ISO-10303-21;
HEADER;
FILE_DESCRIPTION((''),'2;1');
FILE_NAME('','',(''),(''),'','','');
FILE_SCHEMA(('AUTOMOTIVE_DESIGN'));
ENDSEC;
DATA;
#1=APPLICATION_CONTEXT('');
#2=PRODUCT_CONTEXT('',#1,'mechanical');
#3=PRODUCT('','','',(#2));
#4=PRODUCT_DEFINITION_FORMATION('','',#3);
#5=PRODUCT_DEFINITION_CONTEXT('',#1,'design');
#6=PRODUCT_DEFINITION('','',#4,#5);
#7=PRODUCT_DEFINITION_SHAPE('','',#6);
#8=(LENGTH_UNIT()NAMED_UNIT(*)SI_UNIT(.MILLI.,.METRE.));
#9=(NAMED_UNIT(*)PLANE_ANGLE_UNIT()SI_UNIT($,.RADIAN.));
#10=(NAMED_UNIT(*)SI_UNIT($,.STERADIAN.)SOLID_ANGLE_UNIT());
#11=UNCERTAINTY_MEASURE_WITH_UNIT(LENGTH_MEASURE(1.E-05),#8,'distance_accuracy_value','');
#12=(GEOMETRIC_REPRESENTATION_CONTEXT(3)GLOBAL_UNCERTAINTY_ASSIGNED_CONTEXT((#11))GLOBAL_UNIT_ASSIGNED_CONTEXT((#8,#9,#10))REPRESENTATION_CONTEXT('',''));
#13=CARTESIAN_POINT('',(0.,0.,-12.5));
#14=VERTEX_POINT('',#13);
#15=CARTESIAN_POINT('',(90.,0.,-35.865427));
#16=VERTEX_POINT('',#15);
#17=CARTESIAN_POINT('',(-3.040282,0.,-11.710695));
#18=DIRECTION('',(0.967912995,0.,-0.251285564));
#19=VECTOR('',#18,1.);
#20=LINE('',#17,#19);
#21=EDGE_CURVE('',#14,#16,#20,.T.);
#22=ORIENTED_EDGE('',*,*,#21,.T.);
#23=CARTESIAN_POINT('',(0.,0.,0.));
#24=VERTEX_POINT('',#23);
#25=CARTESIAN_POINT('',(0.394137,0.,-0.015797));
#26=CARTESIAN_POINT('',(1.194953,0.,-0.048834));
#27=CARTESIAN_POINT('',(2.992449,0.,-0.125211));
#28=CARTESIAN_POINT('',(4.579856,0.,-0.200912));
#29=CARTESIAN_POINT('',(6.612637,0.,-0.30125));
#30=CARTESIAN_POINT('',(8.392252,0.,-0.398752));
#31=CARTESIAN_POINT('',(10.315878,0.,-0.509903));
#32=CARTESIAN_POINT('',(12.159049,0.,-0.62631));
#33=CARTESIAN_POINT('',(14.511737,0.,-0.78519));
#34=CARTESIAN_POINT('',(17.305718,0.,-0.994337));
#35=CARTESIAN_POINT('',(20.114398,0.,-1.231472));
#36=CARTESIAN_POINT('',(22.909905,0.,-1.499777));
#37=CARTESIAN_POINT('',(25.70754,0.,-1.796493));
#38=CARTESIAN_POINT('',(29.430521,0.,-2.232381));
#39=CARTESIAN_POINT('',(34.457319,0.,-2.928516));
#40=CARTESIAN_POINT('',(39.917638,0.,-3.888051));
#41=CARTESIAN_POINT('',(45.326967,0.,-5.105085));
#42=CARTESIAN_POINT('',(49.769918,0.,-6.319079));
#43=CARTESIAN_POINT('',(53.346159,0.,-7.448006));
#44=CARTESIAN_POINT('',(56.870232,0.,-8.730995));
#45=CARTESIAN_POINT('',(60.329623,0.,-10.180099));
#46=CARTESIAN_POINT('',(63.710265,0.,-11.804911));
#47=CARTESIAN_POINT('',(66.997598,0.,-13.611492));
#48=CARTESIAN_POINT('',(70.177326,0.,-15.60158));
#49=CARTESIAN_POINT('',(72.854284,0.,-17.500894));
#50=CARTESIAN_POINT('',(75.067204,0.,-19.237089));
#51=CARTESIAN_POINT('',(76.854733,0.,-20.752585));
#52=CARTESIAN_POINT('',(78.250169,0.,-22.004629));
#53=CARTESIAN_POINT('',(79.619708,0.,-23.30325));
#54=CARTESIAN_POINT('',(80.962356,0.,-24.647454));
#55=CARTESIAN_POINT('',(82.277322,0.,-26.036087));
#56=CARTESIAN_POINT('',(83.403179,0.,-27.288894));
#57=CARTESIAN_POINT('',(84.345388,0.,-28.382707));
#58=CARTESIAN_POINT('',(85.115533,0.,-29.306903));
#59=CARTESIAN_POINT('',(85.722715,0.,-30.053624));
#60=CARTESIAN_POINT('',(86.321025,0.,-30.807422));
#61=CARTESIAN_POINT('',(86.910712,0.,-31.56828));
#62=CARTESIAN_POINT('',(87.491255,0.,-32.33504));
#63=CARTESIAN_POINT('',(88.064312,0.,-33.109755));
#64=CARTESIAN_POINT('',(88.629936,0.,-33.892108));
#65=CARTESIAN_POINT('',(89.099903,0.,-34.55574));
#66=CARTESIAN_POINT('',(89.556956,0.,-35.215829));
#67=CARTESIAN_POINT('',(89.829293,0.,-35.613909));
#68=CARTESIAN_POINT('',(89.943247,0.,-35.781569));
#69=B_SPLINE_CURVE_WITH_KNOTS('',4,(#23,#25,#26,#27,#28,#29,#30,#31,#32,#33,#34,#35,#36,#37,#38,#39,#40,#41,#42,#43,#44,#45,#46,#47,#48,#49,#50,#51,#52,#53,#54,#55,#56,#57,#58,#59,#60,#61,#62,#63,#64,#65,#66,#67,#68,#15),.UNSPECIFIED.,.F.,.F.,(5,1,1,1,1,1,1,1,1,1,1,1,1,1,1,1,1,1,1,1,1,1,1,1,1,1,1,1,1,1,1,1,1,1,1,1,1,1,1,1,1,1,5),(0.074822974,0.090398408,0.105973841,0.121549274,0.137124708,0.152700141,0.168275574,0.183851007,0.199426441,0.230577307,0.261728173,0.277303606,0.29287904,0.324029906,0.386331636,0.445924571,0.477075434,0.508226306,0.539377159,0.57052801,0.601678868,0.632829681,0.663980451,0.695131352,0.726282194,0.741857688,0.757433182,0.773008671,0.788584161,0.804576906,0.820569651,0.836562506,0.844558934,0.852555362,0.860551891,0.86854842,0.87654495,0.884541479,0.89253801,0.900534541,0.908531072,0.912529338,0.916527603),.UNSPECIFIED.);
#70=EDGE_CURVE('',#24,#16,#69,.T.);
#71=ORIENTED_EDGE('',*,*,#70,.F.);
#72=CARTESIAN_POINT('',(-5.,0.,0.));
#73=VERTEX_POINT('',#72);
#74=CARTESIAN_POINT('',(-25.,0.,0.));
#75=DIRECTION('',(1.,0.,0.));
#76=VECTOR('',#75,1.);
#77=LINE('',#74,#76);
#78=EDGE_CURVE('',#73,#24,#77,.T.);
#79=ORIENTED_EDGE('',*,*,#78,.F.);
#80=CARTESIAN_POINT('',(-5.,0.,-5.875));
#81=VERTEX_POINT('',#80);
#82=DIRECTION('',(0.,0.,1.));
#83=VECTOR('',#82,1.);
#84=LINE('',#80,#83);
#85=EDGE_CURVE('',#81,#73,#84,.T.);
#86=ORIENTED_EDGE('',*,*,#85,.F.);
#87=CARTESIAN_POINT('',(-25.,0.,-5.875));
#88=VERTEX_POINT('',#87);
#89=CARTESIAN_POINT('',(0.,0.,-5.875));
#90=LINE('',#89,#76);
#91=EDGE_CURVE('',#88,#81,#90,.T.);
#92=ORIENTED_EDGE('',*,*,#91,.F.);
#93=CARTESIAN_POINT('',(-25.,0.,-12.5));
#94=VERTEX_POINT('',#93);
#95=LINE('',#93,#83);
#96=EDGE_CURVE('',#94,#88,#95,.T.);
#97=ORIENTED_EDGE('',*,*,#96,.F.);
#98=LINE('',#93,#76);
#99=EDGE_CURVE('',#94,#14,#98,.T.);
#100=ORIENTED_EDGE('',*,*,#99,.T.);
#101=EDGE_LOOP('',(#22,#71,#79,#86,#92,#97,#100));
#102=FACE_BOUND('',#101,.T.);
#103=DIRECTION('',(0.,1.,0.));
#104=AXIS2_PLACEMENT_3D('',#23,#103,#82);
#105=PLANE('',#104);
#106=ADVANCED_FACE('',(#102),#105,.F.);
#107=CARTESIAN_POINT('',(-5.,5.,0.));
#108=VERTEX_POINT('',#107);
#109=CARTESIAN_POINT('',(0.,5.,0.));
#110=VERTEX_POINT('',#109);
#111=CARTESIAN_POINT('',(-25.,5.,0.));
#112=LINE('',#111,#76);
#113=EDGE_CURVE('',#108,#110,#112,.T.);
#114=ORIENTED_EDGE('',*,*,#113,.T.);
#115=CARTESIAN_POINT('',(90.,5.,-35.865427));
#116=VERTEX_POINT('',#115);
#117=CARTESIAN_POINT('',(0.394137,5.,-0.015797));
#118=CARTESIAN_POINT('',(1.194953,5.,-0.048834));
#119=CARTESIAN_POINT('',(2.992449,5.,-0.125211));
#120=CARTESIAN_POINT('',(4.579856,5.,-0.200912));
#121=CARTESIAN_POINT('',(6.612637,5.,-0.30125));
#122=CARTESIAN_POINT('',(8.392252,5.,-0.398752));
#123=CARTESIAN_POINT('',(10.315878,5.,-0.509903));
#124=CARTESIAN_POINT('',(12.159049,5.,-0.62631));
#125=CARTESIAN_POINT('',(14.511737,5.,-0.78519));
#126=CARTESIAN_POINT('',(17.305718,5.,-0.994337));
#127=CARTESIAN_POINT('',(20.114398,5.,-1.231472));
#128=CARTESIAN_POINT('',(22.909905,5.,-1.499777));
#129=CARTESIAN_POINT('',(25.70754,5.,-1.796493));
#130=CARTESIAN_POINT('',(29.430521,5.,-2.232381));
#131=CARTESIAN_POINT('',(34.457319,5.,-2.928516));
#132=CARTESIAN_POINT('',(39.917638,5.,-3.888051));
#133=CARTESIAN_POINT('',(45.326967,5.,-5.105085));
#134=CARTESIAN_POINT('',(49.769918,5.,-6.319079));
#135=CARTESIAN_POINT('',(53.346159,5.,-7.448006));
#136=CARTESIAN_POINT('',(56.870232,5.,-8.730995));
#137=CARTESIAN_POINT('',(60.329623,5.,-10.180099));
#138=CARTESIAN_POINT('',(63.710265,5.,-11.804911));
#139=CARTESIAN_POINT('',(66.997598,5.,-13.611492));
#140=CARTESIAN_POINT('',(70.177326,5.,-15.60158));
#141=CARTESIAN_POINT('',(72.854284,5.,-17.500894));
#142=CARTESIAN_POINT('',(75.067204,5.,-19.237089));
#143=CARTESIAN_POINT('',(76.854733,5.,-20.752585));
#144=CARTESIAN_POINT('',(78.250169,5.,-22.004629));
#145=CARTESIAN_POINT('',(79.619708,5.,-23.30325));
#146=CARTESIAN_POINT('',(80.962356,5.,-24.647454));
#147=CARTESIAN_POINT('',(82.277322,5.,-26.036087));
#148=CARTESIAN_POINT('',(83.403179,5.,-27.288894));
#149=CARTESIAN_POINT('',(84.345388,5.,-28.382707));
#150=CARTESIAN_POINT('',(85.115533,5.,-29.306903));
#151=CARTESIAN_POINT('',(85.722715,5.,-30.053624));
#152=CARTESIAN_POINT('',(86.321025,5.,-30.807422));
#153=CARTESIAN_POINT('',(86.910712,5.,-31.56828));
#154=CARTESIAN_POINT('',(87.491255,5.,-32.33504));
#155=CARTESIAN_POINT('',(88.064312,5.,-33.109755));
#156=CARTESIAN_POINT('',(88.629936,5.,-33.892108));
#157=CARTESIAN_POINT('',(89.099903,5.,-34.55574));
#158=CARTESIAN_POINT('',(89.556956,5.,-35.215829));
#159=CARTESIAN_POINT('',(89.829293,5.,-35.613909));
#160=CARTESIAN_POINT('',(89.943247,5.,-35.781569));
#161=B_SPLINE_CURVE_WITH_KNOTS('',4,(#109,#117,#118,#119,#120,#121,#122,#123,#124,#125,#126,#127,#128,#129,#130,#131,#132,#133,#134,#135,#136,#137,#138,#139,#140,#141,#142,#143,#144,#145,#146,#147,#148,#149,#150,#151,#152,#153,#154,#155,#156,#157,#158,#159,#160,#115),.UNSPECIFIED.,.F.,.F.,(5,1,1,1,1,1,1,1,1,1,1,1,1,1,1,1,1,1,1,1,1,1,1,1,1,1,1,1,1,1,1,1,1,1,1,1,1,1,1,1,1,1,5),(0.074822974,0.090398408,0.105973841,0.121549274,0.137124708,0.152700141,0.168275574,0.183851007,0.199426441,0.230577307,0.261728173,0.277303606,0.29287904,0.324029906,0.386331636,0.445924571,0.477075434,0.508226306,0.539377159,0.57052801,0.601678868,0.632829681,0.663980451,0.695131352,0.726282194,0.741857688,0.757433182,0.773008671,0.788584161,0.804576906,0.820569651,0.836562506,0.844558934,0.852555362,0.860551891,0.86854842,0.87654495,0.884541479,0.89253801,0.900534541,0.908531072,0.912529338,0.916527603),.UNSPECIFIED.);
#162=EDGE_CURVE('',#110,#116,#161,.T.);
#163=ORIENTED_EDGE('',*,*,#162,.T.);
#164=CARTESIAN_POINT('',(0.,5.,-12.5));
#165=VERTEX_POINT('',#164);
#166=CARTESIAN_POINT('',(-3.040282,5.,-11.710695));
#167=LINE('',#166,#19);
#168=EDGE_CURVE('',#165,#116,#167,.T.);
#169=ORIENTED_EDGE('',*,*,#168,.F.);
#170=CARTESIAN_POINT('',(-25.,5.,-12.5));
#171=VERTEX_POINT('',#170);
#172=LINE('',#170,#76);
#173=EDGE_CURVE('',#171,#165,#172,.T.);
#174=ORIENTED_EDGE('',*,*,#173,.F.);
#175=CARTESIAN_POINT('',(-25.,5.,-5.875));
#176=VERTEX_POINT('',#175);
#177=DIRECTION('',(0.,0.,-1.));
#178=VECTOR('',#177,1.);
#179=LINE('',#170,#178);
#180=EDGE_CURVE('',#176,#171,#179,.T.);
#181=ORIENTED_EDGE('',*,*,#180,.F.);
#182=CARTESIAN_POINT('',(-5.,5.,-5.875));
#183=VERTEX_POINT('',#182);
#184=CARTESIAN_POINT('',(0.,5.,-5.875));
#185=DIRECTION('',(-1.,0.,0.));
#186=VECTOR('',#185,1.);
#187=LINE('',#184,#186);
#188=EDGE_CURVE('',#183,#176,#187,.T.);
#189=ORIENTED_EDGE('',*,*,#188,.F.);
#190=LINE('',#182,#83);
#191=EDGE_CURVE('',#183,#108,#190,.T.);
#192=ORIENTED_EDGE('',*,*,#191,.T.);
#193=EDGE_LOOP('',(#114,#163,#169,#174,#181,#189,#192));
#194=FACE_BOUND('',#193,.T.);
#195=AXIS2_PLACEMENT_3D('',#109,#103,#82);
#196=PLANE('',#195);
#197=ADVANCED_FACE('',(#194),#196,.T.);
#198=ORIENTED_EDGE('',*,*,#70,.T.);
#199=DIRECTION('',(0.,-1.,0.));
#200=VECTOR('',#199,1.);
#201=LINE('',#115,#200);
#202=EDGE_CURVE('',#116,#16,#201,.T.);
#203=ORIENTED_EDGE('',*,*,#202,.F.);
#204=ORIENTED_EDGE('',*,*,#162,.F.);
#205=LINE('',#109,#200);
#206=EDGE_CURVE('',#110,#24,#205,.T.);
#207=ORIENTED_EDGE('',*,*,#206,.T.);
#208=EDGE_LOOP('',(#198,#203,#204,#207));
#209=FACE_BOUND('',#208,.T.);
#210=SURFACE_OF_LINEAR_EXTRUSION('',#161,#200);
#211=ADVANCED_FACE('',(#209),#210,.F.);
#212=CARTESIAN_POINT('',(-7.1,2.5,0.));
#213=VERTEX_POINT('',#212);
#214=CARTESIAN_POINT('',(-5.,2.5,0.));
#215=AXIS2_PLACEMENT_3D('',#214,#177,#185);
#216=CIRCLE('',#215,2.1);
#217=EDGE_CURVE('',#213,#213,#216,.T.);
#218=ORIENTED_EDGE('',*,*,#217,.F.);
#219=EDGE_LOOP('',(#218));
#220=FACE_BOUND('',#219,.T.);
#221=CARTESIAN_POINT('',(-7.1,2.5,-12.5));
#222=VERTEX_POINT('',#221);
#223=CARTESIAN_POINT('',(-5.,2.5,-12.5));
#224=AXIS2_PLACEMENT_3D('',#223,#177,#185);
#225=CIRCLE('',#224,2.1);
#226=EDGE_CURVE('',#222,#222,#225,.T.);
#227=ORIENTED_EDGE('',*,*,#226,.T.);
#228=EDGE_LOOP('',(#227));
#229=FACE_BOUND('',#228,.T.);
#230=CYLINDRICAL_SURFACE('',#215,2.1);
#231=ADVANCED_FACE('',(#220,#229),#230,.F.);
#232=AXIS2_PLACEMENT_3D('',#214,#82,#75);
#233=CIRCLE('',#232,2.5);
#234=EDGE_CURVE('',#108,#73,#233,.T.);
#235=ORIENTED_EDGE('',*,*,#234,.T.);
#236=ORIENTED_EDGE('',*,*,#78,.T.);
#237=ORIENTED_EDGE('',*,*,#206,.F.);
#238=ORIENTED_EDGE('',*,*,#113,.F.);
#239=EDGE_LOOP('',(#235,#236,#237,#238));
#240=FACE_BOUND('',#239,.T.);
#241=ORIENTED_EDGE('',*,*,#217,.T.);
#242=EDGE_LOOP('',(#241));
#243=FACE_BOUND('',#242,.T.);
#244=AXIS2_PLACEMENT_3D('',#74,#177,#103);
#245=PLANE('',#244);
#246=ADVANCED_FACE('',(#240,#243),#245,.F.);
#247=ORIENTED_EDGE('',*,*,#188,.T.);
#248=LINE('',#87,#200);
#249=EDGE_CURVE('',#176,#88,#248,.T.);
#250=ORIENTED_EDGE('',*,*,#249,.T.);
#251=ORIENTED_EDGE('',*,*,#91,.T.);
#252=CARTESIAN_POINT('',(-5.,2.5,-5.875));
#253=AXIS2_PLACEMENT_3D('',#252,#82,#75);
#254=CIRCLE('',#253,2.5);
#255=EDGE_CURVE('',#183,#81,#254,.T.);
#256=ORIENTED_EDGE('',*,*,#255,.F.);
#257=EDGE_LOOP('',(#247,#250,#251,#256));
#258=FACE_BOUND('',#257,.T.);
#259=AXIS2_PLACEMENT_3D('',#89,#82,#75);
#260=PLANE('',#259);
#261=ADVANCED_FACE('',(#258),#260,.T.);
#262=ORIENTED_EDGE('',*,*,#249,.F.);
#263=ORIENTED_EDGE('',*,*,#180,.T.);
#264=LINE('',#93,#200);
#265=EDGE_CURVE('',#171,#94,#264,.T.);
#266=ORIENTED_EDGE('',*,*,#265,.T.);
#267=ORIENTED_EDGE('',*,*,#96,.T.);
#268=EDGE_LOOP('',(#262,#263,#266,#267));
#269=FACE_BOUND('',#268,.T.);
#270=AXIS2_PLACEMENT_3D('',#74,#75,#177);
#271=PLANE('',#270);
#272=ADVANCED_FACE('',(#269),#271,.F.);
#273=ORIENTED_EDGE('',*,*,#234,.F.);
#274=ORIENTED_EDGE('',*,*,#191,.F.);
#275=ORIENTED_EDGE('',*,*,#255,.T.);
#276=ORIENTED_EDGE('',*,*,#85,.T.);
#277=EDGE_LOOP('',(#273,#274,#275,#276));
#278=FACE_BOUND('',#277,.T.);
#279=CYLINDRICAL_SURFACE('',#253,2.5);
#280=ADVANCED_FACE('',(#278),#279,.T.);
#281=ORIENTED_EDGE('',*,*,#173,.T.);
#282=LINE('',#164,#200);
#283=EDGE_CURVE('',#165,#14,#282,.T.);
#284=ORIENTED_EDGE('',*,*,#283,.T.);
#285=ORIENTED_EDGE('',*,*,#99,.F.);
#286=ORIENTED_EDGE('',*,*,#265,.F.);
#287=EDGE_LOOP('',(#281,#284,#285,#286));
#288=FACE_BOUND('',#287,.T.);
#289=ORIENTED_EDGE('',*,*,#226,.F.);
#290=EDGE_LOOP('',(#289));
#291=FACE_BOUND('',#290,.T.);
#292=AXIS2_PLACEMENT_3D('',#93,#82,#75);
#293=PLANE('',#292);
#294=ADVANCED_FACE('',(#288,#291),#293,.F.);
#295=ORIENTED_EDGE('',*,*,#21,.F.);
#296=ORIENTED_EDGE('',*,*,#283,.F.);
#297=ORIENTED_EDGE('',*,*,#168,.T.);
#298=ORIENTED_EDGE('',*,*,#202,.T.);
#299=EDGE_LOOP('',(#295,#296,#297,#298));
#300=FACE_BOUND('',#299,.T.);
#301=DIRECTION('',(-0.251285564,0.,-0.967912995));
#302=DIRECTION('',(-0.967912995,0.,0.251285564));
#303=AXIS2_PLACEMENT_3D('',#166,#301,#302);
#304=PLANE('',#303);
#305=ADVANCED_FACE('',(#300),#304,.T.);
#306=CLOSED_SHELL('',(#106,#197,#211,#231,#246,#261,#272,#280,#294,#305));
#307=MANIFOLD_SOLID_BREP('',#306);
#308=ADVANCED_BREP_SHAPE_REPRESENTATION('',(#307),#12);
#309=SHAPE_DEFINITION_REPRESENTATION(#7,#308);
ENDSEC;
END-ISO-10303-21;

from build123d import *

# Parameters (mm, degrees)
SALIENTE_EXTRUIR1_DEPTH = 5
CROQUIS3_W              = 12.5
CROQUIS3_H              = 5
SALIENTE_EXTRUIR2_DEPTH = 25
CROQUIS4_R              = 2.1
CORTAR_EXTRUIR3_DEPTH   = 12.5
CORTAR_EXTRUIR2_DEPTH   = 5.875


with BuildPart() as part:
    # Croquis2 → Saliente-Extruir1 (new body)
    with BuildSketch(Plane(origin=(0, 0, 0), x_dir=(1, 0, 0), z_dir=(0, 1, 0))):
        with BuildLine():
            Line((0, 0), (0, 12.5))
            Line((0, 12.5), (90, 35.865427318))
            add(Edge.make_bspline(
                [(0, 0), (0.394136999, 0.015797336), (1.194952966, 0.048834045), (2.992448828, 0.125211317), (4.579856068, 0.200911656), (6.612637351, 0.301249971), (8.392251736, 0.398752477), (10.315878033, 0.509903005), (12.159048858, 0.626310038), (14.511736704, 0.785189542), (17.305717547, 0.994336582), (20.114398042, 1.2314722), (22.909905137, 1.499776667), (25.707540494, 1.796493489), (29.430521004, 2.232380684), (34.457318955, 2.928516321), (39.917638309, 3.8880509), (45.326966885, 5.105084916), (49.769918493, 6.319079443), (53.346159155, 7.448006204), (56.870231766, 8.730995456), (60.329622828, 10.180098556), (63.710264837, 11.804910517), (66.997597592, 13.611491814), (70.17732587, 15.601579919), (72.854283587, 17.500893709), (75.067204078, 19.237089159), (76.854732505, 20.752585132), (78.250168573, 22.004629224), (79.619707974, 23.303249768), (80.962355597, 24.647453618), (82.277321506, 26.036087115), (83.403178931, 27.288894321), (84.345387571, 28.382707102), (85.115533062, 29.306902867), (85.722715368, 30.053623655), (86.321025458, 30.807421985), (86.910712224, 31.56828047), (87.491255325, 32.335040025), (88.06431213, 33.109755161), (88.629936117, 33.892108149), (89.099903233, 34.555740193), (89.55695597, 35.215829282), (89.829292977, 35.613909175), (89.943246974, 35.781569234), (90, 35.865427318)],
                knots=[0.074822974, 0.074822974, 0.074822974, 0.074822974, 0.074822974, 0.090398408, 0.105973841, 0.121549274, 0.137124708, 0.152700141, 0.168275574, 0.183851007, 0.199426441, 0.230577307, 0.261728173, 0.277303606, 0.29287904, 0.324029906, 0.386331636, 0.445924571, 0.477075434, 0.508226306, 0.539377159, 0.57052801, 0.601678868, 0.632829681, 0.663980451, 0.695131352, 0.726282194, 0.741857688, 0.757433182, 0.773008671, 0.788584161, 0.804576906, 0.820569651, 0.836562506, 0.844558934, 0.852555362, 0.860551891, 0.86854842, 0.87654495, 0.884541479, 0.89253801, 0.900534541, 0.908531072, 0.912529338, 0.916527603, 0.916527603, 0.916527603, 0.916527603, 0.916527603], degree=4))
        make_face()
    extrude(amount=SALIENTE_EXTRUIR1_DEPTH)

    # Croquis3 → Saliente-Extruir2 (add)
    with BuildSketch(Plane.ZY):
        with Locations((-6.25, 2.5)):
            Rectangle(CROQUIS3_W, CROQUIS3_H)
    extrude(amount=SALIENTE_EXTRUIR2_DEPTH)

    # Croquis4 → Cortar-Extruir3 (cut)
    with BuildSketch(Plane(origin=(0, 0, -12.5), x_dir=(-1, 0, 0), z_dir=(0, 0, -1))):
        with Locations((5, 2.5)):
            Circle(CROQUIS4_R)
    extrude(amount=-CORTAR_EXTRUIR3_DEPTH, mode=Mode.SUBTRACT)

    # Croquis5 → Cortar-Extruir2 (cut)
    with BuildSketch(Plane.XY):
        with BuildLine():
            Line((-16, 5), (-25, 5))
            Line((-25, 5), (-25, 0))
            Line((-25, 0), (-5, 0))
            ThreePointArc((-5, 0), (-7.5, 2.5), (-5, 5))
            Line((-5, 5), (-16, 5))
        make_face()
    extrude(amount=-CORTAR_EXTRUIR2_DEPTH, mode=Mode.SUBTRACT)


solid = part.part
